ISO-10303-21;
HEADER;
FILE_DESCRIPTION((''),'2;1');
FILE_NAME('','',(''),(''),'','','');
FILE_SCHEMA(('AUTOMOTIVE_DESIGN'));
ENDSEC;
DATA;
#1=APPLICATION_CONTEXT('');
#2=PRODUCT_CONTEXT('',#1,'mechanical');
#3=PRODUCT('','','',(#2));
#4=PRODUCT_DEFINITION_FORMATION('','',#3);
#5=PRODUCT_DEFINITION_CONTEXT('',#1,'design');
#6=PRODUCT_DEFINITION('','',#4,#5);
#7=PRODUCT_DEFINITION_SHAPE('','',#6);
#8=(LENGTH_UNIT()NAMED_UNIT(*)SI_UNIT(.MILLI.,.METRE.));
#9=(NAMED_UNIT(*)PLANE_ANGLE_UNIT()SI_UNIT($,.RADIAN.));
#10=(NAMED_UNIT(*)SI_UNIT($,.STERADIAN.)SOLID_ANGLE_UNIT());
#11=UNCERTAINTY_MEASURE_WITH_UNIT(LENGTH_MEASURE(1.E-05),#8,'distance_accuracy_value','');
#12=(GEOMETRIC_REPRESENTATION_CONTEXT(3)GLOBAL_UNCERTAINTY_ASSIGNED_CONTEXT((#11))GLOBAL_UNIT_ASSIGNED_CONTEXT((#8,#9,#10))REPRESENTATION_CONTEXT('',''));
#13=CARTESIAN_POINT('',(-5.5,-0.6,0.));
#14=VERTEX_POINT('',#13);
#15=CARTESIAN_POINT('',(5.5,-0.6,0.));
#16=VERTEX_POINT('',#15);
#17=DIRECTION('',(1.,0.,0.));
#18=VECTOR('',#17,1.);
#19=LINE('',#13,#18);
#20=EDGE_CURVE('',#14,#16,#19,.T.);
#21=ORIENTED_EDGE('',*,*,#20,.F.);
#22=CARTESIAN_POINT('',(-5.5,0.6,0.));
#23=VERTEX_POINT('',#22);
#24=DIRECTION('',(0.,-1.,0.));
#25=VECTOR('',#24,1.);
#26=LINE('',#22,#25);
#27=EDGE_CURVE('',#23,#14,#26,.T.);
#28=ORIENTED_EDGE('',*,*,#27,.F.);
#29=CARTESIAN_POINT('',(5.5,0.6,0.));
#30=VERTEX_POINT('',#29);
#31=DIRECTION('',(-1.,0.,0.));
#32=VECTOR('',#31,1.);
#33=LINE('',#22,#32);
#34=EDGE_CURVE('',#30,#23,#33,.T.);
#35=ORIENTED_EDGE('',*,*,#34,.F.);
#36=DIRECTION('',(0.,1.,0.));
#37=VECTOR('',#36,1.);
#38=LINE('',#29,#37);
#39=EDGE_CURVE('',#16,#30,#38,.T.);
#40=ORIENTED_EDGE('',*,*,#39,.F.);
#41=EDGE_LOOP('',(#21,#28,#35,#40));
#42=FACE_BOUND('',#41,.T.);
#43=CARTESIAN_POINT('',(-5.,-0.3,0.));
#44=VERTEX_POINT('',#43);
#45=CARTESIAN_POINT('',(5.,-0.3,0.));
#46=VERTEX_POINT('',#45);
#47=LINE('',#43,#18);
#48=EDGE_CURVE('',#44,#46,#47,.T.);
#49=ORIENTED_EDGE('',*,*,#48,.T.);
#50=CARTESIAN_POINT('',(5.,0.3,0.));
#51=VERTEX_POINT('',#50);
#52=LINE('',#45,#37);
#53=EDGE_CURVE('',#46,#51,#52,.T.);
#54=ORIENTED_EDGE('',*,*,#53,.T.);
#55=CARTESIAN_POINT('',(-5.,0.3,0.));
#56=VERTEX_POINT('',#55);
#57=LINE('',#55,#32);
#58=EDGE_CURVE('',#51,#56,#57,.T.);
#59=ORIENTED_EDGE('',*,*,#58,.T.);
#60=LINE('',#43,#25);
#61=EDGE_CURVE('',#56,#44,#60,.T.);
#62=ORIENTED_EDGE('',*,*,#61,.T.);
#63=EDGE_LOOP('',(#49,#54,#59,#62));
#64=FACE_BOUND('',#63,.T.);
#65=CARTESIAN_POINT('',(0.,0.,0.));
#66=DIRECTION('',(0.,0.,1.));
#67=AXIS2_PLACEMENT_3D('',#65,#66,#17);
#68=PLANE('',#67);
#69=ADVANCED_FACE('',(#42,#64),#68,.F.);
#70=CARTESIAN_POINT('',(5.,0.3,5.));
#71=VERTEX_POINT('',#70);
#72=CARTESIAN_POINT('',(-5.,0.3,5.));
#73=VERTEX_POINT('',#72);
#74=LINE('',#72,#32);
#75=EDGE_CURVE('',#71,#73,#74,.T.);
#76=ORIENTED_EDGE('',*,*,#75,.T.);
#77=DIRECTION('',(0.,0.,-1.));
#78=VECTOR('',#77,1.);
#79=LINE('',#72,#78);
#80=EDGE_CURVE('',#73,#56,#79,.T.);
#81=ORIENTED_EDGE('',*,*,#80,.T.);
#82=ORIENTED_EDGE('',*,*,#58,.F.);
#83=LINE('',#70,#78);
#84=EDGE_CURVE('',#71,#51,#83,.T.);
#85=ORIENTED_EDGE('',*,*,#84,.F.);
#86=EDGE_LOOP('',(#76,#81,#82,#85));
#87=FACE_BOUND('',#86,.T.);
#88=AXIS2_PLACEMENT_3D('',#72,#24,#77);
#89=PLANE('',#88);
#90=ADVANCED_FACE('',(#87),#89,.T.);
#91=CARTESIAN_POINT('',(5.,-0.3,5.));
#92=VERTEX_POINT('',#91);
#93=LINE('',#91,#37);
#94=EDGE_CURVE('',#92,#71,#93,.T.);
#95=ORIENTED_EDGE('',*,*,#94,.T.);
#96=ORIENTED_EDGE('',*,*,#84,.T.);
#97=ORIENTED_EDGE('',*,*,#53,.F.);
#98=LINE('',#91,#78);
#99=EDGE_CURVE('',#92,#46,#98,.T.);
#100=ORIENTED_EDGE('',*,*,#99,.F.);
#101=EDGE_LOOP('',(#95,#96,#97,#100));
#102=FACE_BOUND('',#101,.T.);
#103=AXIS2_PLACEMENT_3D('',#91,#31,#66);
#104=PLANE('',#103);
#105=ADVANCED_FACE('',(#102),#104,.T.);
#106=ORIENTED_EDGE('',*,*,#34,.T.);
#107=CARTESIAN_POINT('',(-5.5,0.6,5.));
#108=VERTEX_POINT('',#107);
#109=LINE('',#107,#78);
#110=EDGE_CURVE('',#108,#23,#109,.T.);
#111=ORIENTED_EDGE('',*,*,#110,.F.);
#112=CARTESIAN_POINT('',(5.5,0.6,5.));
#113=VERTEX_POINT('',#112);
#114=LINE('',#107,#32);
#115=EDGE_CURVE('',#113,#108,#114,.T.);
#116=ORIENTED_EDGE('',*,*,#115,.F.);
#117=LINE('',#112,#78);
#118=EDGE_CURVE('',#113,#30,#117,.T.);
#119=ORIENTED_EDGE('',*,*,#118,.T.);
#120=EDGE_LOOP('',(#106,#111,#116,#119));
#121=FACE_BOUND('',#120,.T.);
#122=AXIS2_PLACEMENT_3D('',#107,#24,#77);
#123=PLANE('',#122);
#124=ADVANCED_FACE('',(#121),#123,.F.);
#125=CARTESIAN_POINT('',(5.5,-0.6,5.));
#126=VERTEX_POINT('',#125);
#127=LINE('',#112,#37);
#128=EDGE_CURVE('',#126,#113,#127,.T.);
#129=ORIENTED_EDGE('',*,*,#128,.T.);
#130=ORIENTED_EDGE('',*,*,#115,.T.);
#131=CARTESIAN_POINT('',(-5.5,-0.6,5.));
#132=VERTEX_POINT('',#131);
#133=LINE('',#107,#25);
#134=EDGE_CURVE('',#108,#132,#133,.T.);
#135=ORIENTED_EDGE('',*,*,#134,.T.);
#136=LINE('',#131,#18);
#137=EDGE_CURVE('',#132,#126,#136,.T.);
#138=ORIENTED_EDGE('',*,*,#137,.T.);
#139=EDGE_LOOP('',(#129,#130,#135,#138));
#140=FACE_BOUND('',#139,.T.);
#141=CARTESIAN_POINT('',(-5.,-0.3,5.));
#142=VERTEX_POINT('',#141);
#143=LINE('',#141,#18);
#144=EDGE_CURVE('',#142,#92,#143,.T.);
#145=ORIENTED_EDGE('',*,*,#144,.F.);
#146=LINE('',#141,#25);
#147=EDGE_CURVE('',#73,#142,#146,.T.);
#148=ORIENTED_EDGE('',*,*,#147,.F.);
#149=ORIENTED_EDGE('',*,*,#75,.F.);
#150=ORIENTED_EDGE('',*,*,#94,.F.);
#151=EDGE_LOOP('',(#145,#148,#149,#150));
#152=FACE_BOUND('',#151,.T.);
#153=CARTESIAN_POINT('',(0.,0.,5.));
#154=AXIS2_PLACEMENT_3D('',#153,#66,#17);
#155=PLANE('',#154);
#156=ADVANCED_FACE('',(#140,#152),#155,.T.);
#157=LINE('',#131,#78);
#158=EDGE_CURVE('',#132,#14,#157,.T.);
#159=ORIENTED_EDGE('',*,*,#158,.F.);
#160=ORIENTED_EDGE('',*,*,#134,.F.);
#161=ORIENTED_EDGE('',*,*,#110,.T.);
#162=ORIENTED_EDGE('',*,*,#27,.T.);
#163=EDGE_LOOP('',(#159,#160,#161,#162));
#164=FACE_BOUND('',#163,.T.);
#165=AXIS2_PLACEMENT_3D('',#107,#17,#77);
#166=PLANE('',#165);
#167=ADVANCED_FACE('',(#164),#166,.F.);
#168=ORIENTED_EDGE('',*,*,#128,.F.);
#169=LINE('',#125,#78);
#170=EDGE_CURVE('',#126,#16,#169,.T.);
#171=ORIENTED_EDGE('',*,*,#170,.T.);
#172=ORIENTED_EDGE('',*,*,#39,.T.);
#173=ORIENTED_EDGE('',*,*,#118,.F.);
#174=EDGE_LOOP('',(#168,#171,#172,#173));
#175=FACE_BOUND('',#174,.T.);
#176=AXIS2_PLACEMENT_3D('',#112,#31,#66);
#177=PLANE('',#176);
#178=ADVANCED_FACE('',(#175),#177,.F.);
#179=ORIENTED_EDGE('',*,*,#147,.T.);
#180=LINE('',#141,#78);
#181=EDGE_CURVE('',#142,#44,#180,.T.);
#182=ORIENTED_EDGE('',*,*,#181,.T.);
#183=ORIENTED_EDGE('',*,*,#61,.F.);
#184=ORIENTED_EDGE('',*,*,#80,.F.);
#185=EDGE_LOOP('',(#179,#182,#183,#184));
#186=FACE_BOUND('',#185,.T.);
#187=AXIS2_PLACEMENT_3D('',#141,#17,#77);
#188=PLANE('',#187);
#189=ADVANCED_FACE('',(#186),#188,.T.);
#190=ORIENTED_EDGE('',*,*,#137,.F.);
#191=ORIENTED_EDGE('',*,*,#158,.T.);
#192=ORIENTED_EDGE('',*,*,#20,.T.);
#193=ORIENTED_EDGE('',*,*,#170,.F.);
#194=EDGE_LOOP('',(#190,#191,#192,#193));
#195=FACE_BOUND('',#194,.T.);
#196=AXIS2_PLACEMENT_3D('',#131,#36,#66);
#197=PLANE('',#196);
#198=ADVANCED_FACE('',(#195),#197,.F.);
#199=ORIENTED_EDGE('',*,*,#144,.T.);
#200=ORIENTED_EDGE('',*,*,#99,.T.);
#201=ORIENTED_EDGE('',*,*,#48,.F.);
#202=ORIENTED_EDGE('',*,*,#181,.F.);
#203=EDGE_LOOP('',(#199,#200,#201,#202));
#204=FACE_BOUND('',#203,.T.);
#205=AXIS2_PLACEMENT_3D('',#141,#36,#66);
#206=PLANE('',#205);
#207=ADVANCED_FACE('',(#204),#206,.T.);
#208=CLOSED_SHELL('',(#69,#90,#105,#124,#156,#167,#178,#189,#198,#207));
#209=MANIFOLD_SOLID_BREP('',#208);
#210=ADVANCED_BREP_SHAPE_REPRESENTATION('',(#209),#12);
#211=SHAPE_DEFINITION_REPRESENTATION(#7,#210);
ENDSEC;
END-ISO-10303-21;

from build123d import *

# Parameters (mm, degrees)
SKETCH_1_W      = 11
SKETCH_1_H      = 1.2
SKETCH_1_W_2    = 10
SKETCH_1_H_2    = 0.6
EXTRUDE_1_DEPTH = 5


with BuildPart() as part:
    # 草图1 → 凸台-拉伸1 (new body)
    with BuildSketch(Plane.XY):
        Rectangle(SKETCH_1_W, SKETCH_1_H)
        Rectangle(SKETCH_1_W_2, SKETCH_1_H_2, mode=Mode.SUBTRACT)
    extrude(amount=EXTRUDE_1_DEPTH)


solid = part.part
